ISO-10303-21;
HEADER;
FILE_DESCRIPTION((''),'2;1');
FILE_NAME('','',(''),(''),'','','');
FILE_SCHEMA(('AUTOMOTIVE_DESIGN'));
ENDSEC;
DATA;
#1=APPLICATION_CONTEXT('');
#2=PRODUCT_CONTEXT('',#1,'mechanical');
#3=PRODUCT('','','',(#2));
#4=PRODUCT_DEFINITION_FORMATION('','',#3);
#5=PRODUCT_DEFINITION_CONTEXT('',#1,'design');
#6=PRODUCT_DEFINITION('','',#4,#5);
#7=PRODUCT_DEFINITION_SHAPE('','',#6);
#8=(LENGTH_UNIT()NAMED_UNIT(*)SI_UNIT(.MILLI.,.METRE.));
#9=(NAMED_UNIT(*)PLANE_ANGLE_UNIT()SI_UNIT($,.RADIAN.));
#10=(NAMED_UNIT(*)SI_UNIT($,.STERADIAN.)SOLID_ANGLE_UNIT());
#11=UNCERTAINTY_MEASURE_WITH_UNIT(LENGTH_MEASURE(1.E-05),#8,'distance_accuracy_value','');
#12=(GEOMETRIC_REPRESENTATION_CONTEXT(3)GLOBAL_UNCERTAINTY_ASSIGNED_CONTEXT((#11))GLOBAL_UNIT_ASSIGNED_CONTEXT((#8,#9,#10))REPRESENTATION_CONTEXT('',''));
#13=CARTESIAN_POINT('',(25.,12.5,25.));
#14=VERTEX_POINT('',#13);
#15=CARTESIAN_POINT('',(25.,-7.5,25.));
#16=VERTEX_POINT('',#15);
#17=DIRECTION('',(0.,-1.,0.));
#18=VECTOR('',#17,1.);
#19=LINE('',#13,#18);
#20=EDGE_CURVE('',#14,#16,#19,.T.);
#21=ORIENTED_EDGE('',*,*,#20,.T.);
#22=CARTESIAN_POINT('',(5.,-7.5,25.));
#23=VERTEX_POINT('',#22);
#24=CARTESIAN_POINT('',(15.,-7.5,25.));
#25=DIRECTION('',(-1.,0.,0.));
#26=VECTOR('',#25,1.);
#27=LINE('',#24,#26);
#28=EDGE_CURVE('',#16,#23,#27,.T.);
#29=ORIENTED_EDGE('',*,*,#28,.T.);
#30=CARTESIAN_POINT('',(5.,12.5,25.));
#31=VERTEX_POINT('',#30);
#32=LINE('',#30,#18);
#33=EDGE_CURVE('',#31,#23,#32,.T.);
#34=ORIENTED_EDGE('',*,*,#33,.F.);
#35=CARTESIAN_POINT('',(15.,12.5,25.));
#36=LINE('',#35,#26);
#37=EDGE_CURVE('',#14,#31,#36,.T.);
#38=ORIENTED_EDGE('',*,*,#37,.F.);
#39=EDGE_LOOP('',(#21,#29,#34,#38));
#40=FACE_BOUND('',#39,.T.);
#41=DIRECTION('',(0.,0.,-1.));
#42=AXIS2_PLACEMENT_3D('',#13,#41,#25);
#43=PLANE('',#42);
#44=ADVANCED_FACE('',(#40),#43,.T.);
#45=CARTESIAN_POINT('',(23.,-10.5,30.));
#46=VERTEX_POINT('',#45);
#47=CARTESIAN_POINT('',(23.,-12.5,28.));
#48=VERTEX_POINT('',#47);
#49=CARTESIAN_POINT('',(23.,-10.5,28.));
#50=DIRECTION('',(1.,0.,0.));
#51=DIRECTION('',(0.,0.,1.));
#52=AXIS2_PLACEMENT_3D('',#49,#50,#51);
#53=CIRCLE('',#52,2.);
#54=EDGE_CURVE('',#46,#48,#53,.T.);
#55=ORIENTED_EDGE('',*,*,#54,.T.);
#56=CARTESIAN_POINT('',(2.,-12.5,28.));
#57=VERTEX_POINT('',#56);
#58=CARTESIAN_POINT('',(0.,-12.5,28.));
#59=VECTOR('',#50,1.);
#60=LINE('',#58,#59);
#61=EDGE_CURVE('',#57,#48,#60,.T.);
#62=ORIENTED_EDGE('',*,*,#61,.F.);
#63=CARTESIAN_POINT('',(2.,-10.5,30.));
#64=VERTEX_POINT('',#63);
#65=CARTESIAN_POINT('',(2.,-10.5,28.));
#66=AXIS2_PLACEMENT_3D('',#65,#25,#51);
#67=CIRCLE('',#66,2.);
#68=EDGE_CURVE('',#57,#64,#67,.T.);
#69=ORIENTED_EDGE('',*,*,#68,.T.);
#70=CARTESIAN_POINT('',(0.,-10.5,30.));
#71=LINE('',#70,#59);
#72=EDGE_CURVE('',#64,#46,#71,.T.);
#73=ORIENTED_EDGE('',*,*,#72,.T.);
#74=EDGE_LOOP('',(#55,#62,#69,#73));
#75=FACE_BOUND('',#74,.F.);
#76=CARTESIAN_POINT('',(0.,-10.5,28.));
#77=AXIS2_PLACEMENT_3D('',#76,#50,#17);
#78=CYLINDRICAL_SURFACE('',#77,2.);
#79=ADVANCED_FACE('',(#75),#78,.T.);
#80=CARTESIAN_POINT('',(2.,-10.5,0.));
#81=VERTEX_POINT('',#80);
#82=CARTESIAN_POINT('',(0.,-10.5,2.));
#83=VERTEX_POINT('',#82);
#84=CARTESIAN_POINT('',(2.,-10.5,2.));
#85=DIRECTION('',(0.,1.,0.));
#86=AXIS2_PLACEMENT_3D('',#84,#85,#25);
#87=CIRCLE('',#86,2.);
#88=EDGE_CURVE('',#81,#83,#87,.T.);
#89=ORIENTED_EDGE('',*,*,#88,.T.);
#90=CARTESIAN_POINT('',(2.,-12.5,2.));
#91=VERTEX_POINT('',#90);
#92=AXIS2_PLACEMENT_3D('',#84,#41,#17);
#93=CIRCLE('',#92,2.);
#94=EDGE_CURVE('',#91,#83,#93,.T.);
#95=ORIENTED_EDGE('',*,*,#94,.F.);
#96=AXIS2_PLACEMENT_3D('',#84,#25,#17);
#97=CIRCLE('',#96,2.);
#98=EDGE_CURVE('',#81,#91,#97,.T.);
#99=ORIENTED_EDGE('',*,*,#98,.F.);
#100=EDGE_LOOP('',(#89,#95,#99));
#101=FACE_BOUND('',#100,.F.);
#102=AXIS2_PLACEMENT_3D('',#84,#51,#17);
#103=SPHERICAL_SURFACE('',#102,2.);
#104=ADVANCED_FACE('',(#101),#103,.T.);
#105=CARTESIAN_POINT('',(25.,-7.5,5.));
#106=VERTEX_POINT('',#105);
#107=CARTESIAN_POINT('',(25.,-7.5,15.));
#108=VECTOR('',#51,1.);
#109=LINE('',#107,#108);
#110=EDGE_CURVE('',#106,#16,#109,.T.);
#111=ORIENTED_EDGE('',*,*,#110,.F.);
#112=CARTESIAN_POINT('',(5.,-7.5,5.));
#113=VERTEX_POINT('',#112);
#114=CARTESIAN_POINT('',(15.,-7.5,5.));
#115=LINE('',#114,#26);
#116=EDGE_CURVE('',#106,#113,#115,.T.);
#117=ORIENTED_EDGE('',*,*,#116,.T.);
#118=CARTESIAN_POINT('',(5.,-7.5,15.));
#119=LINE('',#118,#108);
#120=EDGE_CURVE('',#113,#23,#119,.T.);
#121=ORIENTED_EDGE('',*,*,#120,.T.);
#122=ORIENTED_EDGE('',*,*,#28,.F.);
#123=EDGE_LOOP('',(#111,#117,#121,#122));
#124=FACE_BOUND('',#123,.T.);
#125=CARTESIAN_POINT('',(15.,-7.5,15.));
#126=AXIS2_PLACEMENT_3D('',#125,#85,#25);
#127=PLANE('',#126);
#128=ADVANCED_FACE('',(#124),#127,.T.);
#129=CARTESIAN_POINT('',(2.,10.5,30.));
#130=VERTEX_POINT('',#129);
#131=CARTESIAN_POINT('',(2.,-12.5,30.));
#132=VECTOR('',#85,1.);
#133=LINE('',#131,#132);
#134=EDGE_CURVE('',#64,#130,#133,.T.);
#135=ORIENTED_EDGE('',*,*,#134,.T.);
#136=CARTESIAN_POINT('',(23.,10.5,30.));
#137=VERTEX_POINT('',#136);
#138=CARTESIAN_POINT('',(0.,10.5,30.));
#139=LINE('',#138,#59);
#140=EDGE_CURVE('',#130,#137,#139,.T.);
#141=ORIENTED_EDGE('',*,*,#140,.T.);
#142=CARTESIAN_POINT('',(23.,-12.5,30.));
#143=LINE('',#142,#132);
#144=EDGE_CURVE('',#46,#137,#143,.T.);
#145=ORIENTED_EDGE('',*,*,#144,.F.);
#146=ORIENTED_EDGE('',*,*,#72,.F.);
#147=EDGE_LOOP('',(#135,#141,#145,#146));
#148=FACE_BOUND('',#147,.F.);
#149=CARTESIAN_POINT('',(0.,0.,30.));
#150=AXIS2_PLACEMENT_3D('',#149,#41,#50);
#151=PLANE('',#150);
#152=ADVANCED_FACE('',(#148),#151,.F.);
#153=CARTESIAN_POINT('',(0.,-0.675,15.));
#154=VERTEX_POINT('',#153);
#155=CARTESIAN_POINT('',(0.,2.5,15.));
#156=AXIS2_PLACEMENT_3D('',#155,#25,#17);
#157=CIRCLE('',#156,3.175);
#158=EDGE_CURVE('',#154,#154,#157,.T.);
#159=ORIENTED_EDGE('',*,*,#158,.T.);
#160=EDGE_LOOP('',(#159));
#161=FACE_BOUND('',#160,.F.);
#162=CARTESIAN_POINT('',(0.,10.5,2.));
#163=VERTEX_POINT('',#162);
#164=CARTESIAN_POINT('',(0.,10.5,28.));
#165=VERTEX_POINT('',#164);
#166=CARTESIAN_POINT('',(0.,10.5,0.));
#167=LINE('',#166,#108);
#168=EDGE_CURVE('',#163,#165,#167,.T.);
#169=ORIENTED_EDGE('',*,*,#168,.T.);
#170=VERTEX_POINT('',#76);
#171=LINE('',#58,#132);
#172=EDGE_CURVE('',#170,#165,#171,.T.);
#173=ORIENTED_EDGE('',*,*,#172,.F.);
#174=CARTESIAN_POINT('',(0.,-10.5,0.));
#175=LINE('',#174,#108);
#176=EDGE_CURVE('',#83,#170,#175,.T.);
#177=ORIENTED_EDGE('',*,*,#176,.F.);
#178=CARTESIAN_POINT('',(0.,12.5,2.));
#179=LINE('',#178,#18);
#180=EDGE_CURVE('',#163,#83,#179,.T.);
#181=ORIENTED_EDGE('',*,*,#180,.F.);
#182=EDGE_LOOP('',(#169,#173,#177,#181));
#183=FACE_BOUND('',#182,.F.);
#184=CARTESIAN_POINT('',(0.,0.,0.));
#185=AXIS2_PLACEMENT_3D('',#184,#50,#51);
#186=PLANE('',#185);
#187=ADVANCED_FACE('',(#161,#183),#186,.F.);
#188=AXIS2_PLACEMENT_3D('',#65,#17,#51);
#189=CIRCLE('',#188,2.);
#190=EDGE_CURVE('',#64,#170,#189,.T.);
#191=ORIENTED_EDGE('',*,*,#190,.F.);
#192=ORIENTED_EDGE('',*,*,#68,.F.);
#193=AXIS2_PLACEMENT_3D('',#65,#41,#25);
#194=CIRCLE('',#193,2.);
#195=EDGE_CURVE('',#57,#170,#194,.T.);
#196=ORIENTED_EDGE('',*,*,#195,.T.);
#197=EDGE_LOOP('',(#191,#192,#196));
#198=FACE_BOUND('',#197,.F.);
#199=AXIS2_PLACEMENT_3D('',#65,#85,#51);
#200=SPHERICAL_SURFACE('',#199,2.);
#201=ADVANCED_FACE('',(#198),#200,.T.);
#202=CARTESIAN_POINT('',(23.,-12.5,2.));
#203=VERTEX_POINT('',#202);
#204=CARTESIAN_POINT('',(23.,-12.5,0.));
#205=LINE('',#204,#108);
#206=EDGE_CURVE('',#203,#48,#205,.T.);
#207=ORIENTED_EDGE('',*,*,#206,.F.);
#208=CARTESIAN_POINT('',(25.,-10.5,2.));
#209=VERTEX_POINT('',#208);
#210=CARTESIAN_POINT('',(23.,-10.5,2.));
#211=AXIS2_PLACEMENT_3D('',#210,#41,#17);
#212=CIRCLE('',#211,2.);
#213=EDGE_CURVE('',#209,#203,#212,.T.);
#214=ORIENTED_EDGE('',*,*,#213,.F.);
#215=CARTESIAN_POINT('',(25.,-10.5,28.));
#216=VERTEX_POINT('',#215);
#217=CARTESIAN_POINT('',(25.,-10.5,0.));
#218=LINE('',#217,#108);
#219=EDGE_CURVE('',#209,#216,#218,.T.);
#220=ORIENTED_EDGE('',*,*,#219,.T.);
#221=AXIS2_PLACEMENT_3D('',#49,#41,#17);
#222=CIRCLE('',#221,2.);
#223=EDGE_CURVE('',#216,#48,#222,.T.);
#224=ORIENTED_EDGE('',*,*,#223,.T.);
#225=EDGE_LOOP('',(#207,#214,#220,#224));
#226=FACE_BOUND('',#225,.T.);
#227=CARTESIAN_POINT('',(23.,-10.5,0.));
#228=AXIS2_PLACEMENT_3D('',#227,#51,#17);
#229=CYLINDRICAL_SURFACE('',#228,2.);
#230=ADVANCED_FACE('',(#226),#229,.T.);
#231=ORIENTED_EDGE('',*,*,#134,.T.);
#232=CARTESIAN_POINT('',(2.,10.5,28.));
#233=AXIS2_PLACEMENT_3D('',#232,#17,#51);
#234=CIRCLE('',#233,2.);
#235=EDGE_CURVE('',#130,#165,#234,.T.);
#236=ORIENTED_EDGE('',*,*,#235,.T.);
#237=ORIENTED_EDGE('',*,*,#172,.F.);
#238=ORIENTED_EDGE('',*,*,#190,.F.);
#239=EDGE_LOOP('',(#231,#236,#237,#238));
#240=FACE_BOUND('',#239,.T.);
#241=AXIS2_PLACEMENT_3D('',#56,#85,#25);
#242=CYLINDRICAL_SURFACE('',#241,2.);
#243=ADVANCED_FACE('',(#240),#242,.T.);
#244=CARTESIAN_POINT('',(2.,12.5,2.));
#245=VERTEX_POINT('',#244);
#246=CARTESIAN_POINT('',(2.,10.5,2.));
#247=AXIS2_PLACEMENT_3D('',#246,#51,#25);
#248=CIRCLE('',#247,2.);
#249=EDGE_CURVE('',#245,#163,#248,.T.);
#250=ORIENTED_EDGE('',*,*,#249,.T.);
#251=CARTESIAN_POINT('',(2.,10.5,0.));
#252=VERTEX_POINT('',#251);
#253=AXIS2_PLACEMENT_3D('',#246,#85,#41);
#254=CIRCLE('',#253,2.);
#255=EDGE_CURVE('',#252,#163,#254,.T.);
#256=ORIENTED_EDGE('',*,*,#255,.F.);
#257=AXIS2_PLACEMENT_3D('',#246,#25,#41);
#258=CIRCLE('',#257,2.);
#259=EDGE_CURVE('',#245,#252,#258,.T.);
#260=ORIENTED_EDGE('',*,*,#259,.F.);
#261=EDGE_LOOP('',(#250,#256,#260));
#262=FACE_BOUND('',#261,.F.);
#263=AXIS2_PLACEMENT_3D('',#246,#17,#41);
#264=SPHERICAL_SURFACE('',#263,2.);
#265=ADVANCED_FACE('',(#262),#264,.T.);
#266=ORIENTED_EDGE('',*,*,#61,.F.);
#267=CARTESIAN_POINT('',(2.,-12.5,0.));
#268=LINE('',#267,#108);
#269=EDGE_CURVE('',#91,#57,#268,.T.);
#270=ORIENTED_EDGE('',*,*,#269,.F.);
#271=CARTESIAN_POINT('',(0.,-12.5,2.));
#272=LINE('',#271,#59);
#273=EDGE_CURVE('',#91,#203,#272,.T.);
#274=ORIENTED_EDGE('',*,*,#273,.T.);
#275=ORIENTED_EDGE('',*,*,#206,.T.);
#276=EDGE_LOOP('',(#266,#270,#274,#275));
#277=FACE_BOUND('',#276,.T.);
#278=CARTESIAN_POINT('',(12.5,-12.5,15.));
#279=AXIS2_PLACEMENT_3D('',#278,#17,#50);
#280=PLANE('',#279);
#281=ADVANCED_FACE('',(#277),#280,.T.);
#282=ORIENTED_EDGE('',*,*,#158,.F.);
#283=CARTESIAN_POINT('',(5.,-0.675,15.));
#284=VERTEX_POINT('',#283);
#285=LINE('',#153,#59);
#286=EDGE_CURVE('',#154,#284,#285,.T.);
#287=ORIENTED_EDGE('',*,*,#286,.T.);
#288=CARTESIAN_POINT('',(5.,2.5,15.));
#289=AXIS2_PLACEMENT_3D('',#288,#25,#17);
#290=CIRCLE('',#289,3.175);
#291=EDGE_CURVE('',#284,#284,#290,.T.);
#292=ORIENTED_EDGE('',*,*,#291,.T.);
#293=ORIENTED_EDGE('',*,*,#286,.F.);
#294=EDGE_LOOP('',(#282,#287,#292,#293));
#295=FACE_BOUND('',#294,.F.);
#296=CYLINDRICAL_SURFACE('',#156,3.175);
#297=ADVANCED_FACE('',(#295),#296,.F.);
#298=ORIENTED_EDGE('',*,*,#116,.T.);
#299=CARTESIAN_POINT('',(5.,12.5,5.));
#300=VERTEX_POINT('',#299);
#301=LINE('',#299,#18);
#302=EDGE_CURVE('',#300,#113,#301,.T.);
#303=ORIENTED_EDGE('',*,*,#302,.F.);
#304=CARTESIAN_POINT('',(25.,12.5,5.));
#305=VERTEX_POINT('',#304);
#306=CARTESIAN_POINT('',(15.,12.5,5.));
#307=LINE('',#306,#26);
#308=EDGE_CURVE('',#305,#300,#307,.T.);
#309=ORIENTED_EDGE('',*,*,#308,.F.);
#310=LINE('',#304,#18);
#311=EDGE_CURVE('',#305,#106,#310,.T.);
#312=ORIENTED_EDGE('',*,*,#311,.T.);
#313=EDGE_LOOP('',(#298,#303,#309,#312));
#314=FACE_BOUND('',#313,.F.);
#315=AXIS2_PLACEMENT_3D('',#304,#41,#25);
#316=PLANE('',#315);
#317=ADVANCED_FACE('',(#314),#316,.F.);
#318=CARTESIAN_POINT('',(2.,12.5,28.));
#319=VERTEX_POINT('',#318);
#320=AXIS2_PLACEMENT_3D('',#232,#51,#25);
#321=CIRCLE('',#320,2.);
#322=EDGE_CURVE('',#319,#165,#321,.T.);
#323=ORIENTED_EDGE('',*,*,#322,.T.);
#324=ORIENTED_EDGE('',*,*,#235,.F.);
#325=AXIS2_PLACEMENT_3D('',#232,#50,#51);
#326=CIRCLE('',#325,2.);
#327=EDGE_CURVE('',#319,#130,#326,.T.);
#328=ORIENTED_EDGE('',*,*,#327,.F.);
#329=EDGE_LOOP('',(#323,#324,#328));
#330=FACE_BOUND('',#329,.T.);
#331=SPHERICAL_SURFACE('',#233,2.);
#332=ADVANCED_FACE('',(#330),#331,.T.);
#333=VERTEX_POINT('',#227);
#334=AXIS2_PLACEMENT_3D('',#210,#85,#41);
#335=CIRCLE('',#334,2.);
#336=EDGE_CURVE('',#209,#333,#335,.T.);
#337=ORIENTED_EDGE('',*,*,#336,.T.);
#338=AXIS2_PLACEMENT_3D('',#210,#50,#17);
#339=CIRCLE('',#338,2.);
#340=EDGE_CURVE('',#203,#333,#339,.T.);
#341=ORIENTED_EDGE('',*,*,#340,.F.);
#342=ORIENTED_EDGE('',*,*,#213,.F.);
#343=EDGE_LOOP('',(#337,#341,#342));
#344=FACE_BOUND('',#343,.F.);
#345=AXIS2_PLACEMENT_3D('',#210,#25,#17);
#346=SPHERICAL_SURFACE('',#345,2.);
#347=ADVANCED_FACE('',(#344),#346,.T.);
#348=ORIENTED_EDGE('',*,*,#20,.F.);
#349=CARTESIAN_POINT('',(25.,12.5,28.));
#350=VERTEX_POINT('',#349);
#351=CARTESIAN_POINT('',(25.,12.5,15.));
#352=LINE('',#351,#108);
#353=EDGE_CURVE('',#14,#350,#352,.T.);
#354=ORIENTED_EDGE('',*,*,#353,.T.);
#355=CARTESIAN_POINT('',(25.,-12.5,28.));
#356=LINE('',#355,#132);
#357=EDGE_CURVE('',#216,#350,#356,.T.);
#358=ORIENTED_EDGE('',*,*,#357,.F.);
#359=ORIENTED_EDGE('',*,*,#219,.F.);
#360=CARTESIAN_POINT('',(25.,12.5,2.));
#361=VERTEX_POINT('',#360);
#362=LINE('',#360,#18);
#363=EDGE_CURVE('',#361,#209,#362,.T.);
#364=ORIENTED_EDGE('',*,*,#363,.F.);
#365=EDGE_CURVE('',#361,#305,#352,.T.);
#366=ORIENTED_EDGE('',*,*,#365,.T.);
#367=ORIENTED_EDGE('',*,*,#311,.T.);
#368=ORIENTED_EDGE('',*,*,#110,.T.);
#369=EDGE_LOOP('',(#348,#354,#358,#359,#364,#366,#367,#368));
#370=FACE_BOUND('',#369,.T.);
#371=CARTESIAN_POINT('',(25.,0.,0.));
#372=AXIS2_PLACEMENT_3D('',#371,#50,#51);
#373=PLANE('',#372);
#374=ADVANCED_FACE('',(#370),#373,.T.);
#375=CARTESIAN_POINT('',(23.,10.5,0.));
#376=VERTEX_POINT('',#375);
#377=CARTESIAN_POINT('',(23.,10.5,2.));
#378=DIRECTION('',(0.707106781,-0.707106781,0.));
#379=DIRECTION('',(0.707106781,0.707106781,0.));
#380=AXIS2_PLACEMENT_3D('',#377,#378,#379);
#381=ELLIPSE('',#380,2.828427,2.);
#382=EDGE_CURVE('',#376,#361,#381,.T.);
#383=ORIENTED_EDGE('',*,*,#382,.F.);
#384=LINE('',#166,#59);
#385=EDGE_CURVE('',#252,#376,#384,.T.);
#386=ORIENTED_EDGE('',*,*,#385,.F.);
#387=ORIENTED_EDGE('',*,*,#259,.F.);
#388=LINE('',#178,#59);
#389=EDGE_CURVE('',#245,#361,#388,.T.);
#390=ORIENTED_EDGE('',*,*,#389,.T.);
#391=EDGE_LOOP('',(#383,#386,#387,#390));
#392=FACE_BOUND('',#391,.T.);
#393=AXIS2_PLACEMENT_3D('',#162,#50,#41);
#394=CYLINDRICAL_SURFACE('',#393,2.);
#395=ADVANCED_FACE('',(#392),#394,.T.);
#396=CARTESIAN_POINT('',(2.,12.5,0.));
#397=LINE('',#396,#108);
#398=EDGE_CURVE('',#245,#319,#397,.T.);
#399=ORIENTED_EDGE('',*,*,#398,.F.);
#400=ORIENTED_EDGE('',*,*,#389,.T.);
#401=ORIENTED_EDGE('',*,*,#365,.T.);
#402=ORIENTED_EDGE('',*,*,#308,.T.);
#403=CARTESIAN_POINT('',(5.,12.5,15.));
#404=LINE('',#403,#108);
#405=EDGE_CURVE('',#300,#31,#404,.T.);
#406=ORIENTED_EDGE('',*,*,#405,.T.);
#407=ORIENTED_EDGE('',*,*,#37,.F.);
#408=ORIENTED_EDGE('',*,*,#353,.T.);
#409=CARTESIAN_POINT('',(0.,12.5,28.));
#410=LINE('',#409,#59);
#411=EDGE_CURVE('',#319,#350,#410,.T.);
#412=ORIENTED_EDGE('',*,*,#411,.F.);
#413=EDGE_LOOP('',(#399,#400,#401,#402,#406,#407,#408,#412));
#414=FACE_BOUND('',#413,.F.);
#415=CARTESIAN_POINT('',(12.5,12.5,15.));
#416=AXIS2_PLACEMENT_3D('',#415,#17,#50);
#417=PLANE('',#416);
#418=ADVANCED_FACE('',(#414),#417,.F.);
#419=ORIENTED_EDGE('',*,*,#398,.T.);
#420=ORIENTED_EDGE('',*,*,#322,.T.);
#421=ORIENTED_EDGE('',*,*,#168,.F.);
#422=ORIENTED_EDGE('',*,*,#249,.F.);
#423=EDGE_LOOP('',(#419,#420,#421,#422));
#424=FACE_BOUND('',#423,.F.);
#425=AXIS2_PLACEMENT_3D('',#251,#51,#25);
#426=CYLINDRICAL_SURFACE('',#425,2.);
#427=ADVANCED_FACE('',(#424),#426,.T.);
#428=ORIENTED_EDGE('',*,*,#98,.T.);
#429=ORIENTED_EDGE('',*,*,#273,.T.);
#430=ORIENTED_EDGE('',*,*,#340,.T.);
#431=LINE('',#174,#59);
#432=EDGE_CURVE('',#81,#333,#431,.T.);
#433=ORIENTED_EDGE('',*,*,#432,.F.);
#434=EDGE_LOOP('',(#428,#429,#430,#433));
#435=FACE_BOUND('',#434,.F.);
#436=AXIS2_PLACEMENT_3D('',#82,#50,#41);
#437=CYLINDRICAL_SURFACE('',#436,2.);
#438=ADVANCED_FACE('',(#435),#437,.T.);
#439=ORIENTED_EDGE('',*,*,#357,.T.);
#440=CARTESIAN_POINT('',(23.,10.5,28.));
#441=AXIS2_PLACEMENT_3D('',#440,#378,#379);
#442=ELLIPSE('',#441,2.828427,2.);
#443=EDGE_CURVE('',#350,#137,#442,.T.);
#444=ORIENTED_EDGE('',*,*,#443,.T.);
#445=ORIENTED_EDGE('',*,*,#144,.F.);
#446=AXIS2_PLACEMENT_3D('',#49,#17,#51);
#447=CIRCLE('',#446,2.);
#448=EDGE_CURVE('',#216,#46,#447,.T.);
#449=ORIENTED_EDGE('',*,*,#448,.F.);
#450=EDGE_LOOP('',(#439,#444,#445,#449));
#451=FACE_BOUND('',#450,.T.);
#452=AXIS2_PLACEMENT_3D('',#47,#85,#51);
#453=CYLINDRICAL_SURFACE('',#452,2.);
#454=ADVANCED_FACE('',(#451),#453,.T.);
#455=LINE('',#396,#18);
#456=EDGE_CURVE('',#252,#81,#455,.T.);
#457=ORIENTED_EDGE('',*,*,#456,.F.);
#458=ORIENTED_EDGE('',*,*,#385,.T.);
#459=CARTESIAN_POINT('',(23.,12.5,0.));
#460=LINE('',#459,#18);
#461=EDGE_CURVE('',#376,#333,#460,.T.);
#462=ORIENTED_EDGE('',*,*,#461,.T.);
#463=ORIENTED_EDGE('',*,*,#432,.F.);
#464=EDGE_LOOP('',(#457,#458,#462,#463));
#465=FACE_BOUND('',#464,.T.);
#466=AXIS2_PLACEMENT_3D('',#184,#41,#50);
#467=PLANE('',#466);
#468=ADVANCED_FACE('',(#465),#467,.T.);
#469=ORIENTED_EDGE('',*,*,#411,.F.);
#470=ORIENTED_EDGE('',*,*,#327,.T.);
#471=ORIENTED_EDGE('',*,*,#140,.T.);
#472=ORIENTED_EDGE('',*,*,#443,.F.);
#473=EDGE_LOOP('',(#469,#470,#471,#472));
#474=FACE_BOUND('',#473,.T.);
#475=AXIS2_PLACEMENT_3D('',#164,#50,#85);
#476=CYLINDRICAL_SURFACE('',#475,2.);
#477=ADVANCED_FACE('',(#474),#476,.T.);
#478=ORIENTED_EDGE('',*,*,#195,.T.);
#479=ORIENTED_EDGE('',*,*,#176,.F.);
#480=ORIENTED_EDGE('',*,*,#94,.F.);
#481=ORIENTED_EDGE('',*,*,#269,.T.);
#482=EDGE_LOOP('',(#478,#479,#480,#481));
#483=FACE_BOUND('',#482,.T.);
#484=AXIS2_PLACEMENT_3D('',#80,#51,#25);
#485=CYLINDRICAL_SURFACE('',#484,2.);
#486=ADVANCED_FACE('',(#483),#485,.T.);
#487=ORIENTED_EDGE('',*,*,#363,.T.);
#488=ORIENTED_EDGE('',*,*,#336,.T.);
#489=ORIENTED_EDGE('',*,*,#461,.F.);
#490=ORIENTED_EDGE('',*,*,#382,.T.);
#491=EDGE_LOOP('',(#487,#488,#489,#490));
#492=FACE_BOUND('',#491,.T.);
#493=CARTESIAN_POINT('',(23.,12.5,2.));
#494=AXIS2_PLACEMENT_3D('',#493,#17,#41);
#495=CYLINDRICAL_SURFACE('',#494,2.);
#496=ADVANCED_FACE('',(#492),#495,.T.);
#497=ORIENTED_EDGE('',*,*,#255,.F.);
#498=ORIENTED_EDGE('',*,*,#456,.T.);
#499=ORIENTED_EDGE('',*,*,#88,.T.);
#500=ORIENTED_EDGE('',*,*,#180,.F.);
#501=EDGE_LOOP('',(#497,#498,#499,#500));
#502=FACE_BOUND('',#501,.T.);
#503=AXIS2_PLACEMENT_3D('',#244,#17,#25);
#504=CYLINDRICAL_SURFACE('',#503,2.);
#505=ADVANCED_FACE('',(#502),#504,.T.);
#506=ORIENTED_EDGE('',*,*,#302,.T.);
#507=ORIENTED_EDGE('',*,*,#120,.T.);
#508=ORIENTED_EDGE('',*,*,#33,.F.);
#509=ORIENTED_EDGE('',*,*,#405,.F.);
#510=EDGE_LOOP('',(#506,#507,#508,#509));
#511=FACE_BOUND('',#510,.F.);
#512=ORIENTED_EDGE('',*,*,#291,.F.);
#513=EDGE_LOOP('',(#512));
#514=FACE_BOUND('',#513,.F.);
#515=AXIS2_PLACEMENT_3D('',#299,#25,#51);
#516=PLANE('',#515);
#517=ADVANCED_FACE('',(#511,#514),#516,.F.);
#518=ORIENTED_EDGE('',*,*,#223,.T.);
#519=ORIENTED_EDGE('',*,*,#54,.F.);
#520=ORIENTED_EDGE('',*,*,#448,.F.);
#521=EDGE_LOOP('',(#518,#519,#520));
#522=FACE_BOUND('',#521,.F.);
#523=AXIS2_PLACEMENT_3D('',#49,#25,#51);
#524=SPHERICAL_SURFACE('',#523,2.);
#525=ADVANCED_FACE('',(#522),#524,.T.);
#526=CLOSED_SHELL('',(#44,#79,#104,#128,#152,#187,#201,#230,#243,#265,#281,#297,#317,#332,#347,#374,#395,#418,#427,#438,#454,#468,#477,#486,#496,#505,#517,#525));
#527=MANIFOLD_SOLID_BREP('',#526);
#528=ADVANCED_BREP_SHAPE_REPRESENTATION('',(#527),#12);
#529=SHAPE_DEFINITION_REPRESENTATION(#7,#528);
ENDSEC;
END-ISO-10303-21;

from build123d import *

# Parameters (mm, degrees)
F0_W     = 25
F0_H     = 30
F1_DEPTH = 12.5
F2_W     = 20
F2_H     = 20
F3_DEPTH = 20
F4_R     = 3.175
F5_DEPTH = 25.001
F6_R     = 2


with BuildPart() as f1:
    # F0 (on Front) → F1 (new body, symmetric)
    with BuildSketch(Plane.XZ):
        with Locations((12.5, 15)):
            Rectangle(F0_W, F0_H)
    extrude(amount=F1_DEPTH, both=True)

    # F2 (on face) → F3 (cut)
    with BuildSketch(Plane(origin=(0, 12.5, 0), x_dir=(-1, 0, 0), z_dir=(0, 1, 0))):
        with Locations((-15, 15)):
            Rectangle(F2_W, F2_H)
    extrude(amount=-F3_DEPTH, mode=Mode.SUBTRACT)

    # F4 (on face) → F5 (cut, through all)
    with BuildSketch(Plane(origin=(0, 0, 0), x_dir=(0, -1, 0), z_dir=(-1, 0, 0))):
        with Locations((-2.5, 15)):
            Circle(F4_R)
    extrude(amount=-F5_DEPTH, mode=Mode.SUBTRACT)

    # F6
    f6_edges = [f1.edges().sort_by_distance(p)[0] for p in [
        (0, 0, 30),
        (12.5, 12.5, 30),
        (12.5, -12.5, 30),
        (25, 0, 30),
        (0, -12.5, 15),
        (12.5, -12.5, 0),
        (25, -12.5, 15),
        (0, 0, 0),
        (12.5, 12.5, 0),
        (25, 0, 0),
        (0, 12.5, 15),
    ]]
    fillet(f6_edges, radius=F6_R)


solid = f1.part
